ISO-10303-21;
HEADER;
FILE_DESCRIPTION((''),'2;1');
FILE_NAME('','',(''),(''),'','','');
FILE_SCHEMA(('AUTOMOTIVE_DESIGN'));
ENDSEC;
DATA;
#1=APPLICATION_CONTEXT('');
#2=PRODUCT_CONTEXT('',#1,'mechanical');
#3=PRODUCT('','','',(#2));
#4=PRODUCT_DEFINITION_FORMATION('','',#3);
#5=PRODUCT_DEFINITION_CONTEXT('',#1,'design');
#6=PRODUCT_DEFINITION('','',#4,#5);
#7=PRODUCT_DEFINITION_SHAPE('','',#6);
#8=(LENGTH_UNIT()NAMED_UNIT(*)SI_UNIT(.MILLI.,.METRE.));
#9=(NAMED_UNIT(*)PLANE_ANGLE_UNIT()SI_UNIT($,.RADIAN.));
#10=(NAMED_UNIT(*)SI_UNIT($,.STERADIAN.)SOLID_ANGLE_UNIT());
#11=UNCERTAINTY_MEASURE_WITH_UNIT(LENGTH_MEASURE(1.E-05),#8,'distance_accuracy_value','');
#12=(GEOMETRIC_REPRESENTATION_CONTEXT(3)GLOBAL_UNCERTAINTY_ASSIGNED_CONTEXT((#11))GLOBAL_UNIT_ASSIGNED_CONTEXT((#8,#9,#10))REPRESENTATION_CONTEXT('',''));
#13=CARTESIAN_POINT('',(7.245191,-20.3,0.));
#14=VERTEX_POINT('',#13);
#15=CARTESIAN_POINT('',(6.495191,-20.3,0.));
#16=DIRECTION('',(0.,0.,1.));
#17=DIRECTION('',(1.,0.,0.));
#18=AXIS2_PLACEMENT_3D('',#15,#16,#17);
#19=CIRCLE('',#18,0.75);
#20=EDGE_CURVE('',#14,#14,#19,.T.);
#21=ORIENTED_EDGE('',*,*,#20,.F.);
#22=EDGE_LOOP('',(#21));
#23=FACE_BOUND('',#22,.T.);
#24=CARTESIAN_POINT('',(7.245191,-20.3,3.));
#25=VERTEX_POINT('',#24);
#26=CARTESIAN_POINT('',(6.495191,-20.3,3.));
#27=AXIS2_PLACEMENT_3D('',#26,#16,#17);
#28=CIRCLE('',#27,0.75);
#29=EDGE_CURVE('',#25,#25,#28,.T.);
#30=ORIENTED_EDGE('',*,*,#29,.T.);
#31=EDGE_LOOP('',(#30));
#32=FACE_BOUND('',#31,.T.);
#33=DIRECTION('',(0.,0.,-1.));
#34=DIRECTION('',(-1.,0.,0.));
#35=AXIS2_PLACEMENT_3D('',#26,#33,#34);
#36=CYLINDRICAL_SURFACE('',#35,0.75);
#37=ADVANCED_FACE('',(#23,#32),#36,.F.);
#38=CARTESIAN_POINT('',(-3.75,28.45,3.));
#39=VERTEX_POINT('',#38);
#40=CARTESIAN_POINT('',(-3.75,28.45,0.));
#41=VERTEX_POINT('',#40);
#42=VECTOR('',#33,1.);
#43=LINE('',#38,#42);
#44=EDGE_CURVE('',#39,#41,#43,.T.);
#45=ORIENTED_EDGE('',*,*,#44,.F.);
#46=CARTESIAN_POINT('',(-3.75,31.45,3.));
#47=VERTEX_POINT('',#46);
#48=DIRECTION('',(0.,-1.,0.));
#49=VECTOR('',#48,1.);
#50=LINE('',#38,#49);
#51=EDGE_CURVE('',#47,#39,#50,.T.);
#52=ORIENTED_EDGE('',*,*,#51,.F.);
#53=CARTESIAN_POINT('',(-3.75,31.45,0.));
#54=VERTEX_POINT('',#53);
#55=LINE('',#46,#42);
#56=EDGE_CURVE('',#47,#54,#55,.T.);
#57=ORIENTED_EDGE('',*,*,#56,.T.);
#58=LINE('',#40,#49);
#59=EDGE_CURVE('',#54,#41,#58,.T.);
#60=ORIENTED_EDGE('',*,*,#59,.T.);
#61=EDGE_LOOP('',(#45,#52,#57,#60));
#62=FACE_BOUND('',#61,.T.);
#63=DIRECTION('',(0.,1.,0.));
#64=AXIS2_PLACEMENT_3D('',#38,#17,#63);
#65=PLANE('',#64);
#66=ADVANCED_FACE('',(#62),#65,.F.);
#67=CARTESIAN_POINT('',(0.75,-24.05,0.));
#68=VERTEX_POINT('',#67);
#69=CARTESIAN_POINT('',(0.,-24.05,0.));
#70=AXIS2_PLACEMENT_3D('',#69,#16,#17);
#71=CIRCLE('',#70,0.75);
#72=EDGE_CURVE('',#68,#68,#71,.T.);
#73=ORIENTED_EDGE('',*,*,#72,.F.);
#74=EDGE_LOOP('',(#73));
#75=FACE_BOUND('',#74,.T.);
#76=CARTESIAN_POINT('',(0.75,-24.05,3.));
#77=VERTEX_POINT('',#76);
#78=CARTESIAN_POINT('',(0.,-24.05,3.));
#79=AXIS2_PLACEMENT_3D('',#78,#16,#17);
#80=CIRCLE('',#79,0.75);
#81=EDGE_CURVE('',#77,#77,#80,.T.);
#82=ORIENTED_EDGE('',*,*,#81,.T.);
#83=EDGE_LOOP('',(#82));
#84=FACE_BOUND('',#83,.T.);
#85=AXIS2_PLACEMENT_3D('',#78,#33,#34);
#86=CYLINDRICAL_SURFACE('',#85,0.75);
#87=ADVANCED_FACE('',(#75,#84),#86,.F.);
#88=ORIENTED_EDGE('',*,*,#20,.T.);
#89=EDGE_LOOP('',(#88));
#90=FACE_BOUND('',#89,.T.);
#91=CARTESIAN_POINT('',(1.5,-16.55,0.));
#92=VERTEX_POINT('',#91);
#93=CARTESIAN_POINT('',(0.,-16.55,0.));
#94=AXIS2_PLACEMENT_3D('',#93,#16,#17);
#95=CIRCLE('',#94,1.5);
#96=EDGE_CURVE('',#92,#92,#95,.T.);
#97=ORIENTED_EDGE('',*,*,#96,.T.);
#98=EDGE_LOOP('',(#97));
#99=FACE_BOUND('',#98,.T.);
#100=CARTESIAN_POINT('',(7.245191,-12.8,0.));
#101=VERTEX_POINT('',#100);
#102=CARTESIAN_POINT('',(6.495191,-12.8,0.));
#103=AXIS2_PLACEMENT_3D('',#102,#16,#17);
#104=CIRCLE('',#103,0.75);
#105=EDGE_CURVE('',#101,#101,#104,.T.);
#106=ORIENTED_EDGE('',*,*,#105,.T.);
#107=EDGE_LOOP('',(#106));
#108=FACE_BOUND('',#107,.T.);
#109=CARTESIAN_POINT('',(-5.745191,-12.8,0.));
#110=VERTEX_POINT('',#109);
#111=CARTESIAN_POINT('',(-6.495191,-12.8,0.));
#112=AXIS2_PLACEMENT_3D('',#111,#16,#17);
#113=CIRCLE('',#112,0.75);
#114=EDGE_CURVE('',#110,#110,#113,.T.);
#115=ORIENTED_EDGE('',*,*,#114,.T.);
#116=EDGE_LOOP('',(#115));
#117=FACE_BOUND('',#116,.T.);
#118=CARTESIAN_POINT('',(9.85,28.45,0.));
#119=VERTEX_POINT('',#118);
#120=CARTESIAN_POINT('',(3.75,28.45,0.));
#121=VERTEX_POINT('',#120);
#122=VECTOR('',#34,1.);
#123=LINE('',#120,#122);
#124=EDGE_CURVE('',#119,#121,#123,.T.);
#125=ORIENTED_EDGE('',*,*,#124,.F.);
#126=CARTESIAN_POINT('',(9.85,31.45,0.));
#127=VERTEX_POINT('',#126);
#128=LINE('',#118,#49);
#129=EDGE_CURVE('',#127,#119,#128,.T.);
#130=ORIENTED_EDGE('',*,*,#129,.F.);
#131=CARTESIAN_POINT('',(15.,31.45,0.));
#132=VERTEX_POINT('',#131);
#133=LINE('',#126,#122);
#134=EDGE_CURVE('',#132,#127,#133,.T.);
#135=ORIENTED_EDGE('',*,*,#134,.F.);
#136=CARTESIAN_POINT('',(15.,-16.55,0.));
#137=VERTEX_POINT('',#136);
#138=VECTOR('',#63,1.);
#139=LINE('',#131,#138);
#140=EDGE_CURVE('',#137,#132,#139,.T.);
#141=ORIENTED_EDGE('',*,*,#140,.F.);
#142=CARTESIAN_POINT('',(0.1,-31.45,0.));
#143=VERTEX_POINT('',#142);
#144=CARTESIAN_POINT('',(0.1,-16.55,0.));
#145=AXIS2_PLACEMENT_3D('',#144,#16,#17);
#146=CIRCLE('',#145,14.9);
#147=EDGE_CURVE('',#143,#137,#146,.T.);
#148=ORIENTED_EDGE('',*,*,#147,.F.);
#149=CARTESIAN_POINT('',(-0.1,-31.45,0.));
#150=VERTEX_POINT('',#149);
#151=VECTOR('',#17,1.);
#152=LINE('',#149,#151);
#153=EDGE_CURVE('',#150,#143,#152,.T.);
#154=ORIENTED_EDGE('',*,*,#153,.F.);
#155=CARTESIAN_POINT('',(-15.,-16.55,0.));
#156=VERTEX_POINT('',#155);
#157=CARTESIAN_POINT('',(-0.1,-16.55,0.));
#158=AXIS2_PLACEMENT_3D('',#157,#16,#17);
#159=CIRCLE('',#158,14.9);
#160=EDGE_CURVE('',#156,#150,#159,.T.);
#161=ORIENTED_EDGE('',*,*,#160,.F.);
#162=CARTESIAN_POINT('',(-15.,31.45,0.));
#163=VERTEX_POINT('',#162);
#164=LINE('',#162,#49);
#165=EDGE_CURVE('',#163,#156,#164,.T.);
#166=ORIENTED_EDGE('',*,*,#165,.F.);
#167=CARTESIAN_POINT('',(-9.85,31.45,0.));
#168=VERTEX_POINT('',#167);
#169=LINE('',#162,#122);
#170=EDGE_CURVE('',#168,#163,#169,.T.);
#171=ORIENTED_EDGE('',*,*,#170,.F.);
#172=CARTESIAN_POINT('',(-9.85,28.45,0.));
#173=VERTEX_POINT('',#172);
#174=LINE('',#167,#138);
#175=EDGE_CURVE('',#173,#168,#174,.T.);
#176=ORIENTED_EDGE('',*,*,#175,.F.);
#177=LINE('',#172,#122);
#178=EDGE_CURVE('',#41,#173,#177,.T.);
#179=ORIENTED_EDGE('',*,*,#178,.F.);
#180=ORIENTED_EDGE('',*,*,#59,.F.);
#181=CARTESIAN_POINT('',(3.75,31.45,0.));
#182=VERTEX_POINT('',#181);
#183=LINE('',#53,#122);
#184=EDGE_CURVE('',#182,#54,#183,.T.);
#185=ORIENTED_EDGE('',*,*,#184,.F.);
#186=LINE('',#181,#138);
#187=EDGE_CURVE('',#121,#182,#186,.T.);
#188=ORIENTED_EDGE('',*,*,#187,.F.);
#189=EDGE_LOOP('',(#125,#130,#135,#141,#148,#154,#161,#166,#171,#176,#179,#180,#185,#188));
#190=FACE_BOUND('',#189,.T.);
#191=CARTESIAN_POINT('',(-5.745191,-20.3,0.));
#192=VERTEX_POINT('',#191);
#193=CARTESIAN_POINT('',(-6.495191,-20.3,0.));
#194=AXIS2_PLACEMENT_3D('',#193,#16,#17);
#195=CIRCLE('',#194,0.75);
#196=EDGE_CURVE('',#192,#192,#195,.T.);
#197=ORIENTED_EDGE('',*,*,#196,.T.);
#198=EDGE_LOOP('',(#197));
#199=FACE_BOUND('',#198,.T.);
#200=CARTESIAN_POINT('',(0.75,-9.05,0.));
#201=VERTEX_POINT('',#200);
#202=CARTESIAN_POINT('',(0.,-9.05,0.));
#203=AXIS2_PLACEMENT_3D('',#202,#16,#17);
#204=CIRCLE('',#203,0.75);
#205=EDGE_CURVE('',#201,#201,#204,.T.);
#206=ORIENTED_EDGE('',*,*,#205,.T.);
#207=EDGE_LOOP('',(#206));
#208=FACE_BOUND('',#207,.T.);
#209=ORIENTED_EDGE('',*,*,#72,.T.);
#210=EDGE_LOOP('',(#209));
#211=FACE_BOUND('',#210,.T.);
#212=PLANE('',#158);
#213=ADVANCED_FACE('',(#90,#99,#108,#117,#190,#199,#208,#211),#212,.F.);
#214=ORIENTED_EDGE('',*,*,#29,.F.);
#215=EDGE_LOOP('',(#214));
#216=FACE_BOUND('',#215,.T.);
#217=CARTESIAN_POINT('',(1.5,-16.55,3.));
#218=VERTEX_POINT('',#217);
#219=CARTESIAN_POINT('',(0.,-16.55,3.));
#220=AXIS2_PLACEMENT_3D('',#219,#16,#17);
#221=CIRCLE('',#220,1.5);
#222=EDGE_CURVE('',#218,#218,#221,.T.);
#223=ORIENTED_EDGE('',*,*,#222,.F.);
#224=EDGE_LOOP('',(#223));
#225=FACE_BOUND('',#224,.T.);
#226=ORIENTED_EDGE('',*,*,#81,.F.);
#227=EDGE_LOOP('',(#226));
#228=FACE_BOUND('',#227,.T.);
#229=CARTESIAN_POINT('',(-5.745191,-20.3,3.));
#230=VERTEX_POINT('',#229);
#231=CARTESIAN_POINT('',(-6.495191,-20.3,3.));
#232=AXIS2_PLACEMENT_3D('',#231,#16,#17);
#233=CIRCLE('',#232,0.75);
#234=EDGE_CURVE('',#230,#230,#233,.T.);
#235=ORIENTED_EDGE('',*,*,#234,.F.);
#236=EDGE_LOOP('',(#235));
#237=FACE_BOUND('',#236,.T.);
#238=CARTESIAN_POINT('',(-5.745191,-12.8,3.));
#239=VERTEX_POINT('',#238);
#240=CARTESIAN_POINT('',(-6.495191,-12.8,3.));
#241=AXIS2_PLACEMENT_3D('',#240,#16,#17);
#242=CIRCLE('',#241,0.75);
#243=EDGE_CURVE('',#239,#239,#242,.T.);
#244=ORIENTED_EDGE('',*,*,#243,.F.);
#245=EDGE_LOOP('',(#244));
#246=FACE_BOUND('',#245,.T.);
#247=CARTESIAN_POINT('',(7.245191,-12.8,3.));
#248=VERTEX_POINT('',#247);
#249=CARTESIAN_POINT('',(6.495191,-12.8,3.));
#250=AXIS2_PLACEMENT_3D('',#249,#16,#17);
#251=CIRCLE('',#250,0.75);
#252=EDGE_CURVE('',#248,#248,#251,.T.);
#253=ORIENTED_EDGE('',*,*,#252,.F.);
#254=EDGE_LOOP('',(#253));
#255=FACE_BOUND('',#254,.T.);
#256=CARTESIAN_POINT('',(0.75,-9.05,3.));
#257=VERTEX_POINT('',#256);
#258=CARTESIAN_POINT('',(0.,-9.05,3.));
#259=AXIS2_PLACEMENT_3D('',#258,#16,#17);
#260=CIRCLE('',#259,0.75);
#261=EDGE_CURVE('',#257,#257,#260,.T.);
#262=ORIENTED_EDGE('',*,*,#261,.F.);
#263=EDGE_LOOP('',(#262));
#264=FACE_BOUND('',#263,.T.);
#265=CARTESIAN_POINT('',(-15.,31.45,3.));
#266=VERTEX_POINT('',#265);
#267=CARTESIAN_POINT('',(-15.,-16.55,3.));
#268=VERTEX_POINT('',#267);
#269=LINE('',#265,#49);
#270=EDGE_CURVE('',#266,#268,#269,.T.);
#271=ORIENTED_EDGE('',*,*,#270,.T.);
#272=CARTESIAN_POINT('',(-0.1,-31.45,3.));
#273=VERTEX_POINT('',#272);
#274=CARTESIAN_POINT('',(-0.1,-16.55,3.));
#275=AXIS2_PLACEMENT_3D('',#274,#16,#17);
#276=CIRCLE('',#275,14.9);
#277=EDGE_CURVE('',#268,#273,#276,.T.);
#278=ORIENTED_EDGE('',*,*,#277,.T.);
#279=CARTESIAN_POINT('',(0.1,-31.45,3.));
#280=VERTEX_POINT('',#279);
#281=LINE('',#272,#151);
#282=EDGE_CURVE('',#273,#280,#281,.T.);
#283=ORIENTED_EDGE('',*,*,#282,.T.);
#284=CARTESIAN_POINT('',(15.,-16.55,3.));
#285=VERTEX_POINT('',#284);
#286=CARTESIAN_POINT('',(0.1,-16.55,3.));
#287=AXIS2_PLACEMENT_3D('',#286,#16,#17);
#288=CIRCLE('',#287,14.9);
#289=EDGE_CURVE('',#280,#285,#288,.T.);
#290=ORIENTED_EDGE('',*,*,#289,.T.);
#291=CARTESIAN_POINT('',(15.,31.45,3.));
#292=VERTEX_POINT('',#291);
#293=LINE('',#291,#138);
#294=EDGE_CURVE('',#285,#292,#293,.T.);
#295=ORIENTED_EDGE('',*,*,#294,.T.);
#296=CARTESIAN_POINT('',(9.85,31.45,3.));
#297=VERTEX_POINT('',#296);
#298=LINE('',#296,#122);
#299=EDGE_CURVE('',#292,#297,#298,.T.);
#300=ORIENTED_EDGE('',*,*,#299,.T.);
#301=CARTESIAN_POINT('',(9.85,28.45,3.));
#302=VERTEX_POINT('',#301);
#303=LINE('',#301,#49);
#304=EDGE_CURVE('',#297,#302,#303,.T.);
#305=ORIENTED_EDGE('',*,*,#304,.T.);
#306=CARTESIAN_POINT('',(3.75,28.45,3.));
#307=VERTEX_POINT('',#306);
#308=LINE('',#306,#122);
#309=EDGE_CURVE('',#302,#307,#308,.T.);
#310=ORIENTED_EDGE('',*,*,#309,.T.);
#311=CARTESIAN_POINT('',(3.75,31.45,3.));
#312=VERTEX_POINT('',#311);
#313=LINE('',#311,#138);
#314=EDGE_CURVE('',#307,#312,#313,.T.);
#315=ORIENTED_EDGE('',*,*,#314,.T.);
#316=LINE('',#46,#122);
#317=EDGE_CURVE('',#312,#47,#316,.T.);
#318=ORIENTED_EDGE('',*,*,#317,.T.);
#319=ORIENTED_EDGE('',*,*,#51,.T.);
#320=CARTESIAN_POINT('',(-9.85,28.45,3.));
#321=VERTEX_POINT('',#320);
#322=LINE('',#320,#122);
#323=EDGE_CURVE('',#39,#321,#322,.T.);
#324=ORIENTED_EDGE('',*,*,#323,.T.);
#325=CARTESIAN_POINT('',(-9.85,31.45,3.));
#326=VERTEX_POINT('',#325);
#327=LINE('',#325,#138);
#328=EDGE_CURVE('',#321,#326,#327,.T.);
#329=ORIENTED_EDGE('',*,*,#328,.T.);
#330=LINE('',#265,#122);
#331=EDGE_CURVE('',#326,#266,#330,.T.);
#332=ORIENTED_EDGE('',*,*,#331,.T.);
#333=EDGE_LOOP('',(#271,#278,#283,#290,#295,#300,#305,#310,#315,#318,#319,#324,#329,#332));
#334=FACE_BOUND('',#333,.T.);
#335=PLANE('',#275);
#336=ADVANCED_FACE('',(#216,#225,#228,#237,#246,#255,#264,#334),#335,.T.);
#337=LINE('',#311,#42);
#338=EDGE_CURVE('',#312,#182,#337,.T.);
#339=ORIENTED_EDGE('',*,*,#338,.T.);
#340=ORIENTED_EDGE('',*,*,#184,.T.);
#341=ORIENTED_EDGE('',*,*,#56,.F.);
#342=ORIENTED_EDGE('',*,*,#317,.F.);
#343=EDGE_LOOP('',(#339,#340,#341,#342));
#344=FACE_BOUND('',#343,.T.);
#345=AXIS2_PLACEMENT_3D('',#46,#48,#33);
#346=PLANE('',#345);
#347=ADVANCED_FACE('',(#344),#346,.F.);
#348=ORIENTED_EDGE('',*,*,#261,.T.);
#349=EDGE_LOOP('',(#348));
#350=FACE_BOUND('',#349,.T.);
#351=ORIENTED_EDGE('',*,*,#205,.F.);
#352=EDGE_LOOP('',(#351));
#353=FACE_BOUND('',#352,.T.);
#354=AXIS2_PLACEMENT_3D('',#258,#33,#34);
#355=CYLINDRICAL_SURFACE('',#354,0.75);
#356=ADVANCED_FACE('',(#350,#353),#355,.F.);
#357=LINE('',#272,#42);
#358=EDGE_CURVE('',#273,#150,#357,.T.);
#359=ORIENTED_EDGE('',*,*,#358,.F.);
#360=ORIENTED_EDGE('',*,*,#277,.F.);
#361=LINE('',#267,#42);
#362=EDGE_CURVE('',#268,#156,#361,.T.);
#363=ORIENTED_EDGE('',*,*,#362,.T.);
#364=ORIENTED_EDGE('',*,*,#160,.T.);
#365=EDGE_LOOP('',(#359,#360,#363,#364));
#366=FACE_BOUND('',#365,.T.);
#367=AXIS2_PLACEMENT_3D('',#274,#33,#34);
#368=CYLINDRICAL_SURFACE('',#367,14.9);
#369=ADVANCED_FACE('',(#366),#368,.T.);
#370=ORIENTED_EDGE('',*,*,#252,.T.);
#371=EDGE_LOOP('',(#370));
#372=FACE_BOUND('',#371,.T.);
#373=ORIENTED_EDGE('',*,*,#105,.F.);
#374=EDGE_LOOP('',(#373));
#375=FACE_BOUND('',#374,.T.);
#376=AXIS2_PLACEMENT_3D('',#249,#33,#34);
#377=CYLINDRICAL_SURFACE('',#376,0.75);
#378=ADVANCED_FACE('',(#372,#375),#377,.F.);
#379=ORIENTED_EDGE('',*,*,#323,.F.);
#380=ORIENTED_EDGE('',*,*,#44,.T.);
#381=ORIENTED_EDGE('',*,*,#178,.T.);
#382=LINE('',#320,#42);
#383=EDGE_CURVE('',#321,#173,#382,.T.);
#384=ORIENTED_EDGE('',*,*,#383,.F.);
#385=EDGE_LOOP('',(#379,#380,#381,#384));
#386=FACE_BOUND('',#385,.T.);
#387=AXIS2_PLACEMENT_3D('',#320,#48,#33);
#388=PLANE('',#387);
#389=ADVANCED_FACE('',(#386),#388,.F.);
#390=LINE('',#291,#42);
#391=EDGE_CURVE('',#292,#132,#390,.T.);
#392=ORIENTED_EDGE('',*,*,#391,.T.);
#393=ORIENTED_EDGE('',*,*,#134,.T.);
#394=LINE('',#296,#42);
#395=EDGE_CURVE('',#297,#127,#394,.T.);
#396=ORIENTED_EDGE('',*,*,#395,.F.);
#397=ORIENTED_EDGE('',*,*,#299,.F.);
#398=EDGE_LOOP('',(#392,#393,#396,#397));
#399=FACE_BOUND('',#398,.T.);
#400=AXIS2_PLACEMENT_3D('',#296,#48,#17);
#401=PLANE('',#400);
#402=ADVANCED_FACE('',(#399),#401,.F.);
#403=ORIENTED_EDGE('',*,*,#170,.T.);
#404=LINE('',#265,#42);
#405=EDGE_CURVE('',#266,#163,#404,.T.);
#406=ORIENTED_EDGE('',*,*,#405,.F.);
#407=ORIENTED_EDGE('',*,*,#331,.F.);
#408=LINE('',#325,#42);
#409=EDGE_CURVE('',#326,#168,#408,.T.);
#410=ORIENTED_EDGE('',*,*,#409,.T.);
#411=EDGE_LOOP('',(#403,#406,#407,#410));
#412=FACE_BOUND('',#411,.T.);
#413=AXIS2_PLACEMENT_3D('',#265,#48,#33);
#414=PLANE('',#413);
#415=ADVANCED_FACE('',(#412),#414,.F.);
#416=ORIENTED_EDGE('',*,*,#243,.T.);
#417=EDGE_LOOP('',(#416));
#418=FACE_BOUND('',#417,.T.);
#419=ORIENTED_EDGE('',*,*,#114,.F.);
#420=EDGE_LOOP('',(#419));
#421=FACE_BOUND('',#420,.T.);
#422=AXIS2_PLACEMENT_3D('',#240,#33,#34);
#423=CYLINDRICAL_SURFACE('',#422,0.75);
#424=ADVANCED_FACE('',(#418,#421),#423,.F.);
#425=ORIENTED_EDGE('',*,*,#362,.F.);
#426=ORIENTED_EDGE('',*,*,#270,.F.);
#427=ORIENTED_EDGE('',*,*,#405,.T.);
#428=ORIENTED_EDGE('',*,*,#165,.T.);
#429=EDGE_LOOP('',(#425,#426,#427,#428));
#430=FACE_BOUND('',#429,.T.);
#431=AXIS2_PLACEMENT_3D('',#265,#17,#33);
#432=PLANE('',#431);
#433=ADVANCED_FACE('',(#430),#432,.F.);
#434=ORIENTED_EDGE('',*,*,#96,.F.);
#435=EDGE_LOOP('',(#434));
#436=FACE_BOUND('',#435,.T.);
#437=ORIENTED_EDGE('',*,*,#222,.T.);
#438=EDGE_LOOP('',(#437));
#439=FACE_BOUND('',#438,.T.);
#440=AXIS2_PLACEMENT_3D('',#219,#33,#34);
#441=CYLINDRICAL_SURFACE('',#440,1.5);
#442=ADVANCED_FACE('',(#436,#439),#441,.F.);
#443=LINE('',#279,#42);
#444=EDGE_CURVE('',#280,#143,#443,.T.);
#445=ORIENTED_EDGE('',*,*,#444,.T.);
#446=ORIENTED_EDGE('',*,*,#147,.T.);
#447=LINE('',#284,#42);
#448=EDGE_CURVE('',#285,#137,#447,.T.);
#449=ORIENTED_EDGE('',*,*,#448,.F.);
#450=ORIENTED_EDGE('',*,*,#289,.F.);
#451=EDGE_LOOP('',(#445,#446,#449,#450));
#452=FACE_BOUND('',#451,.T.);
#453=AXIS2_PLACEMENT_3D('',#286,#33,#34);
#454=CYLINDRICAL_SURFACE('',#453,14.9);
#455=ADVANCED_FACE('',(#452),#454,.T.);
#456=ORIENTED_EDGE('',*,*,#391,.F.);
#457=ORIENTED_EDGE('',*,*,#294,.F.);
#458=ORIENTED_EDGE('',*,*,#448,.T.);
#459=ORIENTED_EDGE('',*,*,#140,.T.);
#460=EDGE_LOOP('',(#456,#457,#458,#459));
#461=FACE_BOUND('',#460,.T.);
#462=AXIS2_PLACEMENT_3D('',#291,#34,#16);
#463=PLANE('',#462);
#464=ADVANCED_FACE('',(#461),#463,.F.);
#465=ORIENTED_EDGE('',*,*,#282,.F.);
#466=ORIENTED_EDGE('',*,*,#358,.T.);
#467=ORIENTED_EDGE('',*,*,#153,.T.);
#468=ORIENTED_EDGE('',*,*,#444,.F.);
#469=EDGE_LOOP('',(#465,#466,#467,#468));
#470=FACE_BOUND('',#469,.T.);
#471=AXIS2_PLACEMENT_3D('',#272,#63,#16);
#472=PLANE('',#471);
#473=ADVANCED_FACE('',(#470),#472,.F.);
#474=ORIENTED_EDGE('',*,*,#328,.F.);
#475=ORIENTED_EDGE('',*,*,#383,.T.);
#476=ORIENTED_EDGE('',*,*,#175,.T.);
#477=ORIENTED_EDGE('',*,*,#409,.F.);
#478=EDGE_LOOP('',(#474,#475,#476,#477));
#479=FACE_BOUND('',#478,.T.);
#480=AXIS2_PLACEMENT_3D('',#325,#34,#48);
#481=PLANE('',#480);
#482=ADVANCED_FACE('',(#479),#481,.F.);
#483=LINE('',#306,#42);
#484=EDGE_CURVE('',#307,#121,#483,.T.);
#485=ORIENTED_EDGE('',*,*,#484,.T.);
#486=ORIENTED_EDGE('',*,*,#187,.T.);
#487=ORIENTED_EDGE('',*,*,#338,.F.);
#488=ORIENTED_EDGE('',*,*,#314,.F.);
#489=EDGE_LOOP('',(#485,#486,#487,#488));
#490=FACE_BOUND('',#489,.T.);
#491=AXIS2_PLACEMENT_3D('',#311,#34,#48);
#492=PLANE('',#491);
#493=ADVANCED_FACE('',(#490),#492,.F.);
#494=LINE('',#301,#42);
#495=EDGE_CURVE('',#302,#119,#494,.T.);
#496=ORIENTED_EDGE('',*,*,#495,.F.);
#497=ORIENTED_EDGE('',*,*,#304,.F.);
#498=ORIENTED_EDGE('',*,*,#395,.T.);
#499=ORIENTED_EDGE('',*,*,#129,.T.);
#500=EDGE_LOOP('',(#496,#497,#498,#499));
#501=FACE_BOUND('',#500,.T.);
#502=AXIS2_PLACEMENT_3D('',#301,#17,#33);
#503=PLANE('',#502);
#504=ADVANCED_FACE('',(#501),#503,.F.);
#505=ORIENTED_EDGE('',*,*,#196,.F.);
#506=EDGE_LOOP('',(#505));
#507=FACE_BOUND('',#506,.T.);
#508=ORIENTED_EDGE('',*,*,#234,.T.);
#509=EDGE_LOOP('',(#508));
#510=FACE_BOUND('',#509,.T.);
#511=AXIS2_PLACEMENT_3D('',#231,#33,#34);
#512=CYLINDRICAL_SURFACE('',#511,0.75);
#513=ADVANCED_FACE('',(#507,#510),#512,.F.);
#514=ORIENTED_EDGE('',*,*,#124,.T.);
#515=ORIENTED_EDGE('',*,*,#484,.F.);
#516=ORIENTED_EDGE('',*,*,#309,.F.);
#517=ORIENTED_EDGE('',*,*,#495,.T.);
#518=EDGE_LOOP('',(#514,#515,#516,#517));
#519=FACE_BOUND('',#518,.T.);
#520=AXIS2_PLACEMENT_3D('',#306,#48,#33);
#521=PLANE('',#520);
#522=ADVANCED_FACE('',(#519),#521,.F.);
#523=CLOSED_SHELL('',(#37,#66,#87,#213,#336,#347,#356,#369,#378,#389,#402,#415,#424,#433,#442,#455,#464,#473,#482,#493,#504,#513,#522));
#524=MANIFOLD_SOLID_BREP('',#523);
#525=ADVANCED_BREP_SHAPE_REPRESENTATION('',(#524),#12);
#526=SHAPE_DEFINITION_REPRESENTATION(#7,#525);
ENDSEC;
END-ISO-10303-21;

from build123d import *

# Parameters (mm, degrees)
SKETCH2_R           = 0.75
SKETCH2_R_2         = 1.5
BOSS_EXTRUDE1_DEPTH = 3


with BuildPart() as part:
    # Sketch2 → Boss-Extrude1 (new body)
    with BuildSketch(Plane.XY):
        with BuildLine():
            Line((-9.85, 31.45), (-9.85, 28.45))
            Line((-9.85, 28.45), (-3.75, 28.45))
            Line((-3.75, 28.45), (-3.75, 31.45))
            Line((-3.75, 31.45), (3.75, 31.45))
            Line((3.75, 31.45), (3.75, 28.45))
            Line((3.75, 28.45), (9.85, 28.45))
            Line((9.85, 28.45), (9.85, 31.45))
            Line((9.85, 31.45), (15, 31.45))
            Line((15, 31.45), (15, -16.55))
            ThreePointArc((15, -16.55), (10.63589104, -27.08589104), (0.1, -31.45))
            Line((0.1, -31.45), (-0.1, -31.45))
            ThreePointArc((-0.1, -31.45), (-10.63589104, -27.08589104), (-15, -16.55))
            Line((-15, -16.55), (-15, 31.45))
            Line((-15, 31.45), (-9.85, 31.45))
        make_face()
        with Locations((0, -9.05)):
            Circle(SKETCH2_R, mode=Mode.SUBTRACT)
        with Locations((6.495190528, -12.8)):
            Circle(SKETCH2_R, mode=Mode.SUBTRACT)
        with Locations((6.495190528, -20.3)):
            Circle(SKETCH2_R, mode=Mode.SUBTRACT)
        with Locations((0, -24.05)):
            Circle(SKETCH2_R, mode=Mode.SUBTRACT)
        with Locations((-6.495190528, -20.3)):
            Circle(SKETCH2_R, mode=Mode.SUBTRACT)
        with Locations((-6.495190528, -12.8)):
            Circle(SKETCH2_R, mode=Mode.SUBTRACT)
        with Locations((0, -16.55)):
            Circle(SKETCH2_R_2, mode=Mode.SUBTRACT)
    extrude(amount=BOSS_EXTRUDE1_DEPTH)


solid = part.part
